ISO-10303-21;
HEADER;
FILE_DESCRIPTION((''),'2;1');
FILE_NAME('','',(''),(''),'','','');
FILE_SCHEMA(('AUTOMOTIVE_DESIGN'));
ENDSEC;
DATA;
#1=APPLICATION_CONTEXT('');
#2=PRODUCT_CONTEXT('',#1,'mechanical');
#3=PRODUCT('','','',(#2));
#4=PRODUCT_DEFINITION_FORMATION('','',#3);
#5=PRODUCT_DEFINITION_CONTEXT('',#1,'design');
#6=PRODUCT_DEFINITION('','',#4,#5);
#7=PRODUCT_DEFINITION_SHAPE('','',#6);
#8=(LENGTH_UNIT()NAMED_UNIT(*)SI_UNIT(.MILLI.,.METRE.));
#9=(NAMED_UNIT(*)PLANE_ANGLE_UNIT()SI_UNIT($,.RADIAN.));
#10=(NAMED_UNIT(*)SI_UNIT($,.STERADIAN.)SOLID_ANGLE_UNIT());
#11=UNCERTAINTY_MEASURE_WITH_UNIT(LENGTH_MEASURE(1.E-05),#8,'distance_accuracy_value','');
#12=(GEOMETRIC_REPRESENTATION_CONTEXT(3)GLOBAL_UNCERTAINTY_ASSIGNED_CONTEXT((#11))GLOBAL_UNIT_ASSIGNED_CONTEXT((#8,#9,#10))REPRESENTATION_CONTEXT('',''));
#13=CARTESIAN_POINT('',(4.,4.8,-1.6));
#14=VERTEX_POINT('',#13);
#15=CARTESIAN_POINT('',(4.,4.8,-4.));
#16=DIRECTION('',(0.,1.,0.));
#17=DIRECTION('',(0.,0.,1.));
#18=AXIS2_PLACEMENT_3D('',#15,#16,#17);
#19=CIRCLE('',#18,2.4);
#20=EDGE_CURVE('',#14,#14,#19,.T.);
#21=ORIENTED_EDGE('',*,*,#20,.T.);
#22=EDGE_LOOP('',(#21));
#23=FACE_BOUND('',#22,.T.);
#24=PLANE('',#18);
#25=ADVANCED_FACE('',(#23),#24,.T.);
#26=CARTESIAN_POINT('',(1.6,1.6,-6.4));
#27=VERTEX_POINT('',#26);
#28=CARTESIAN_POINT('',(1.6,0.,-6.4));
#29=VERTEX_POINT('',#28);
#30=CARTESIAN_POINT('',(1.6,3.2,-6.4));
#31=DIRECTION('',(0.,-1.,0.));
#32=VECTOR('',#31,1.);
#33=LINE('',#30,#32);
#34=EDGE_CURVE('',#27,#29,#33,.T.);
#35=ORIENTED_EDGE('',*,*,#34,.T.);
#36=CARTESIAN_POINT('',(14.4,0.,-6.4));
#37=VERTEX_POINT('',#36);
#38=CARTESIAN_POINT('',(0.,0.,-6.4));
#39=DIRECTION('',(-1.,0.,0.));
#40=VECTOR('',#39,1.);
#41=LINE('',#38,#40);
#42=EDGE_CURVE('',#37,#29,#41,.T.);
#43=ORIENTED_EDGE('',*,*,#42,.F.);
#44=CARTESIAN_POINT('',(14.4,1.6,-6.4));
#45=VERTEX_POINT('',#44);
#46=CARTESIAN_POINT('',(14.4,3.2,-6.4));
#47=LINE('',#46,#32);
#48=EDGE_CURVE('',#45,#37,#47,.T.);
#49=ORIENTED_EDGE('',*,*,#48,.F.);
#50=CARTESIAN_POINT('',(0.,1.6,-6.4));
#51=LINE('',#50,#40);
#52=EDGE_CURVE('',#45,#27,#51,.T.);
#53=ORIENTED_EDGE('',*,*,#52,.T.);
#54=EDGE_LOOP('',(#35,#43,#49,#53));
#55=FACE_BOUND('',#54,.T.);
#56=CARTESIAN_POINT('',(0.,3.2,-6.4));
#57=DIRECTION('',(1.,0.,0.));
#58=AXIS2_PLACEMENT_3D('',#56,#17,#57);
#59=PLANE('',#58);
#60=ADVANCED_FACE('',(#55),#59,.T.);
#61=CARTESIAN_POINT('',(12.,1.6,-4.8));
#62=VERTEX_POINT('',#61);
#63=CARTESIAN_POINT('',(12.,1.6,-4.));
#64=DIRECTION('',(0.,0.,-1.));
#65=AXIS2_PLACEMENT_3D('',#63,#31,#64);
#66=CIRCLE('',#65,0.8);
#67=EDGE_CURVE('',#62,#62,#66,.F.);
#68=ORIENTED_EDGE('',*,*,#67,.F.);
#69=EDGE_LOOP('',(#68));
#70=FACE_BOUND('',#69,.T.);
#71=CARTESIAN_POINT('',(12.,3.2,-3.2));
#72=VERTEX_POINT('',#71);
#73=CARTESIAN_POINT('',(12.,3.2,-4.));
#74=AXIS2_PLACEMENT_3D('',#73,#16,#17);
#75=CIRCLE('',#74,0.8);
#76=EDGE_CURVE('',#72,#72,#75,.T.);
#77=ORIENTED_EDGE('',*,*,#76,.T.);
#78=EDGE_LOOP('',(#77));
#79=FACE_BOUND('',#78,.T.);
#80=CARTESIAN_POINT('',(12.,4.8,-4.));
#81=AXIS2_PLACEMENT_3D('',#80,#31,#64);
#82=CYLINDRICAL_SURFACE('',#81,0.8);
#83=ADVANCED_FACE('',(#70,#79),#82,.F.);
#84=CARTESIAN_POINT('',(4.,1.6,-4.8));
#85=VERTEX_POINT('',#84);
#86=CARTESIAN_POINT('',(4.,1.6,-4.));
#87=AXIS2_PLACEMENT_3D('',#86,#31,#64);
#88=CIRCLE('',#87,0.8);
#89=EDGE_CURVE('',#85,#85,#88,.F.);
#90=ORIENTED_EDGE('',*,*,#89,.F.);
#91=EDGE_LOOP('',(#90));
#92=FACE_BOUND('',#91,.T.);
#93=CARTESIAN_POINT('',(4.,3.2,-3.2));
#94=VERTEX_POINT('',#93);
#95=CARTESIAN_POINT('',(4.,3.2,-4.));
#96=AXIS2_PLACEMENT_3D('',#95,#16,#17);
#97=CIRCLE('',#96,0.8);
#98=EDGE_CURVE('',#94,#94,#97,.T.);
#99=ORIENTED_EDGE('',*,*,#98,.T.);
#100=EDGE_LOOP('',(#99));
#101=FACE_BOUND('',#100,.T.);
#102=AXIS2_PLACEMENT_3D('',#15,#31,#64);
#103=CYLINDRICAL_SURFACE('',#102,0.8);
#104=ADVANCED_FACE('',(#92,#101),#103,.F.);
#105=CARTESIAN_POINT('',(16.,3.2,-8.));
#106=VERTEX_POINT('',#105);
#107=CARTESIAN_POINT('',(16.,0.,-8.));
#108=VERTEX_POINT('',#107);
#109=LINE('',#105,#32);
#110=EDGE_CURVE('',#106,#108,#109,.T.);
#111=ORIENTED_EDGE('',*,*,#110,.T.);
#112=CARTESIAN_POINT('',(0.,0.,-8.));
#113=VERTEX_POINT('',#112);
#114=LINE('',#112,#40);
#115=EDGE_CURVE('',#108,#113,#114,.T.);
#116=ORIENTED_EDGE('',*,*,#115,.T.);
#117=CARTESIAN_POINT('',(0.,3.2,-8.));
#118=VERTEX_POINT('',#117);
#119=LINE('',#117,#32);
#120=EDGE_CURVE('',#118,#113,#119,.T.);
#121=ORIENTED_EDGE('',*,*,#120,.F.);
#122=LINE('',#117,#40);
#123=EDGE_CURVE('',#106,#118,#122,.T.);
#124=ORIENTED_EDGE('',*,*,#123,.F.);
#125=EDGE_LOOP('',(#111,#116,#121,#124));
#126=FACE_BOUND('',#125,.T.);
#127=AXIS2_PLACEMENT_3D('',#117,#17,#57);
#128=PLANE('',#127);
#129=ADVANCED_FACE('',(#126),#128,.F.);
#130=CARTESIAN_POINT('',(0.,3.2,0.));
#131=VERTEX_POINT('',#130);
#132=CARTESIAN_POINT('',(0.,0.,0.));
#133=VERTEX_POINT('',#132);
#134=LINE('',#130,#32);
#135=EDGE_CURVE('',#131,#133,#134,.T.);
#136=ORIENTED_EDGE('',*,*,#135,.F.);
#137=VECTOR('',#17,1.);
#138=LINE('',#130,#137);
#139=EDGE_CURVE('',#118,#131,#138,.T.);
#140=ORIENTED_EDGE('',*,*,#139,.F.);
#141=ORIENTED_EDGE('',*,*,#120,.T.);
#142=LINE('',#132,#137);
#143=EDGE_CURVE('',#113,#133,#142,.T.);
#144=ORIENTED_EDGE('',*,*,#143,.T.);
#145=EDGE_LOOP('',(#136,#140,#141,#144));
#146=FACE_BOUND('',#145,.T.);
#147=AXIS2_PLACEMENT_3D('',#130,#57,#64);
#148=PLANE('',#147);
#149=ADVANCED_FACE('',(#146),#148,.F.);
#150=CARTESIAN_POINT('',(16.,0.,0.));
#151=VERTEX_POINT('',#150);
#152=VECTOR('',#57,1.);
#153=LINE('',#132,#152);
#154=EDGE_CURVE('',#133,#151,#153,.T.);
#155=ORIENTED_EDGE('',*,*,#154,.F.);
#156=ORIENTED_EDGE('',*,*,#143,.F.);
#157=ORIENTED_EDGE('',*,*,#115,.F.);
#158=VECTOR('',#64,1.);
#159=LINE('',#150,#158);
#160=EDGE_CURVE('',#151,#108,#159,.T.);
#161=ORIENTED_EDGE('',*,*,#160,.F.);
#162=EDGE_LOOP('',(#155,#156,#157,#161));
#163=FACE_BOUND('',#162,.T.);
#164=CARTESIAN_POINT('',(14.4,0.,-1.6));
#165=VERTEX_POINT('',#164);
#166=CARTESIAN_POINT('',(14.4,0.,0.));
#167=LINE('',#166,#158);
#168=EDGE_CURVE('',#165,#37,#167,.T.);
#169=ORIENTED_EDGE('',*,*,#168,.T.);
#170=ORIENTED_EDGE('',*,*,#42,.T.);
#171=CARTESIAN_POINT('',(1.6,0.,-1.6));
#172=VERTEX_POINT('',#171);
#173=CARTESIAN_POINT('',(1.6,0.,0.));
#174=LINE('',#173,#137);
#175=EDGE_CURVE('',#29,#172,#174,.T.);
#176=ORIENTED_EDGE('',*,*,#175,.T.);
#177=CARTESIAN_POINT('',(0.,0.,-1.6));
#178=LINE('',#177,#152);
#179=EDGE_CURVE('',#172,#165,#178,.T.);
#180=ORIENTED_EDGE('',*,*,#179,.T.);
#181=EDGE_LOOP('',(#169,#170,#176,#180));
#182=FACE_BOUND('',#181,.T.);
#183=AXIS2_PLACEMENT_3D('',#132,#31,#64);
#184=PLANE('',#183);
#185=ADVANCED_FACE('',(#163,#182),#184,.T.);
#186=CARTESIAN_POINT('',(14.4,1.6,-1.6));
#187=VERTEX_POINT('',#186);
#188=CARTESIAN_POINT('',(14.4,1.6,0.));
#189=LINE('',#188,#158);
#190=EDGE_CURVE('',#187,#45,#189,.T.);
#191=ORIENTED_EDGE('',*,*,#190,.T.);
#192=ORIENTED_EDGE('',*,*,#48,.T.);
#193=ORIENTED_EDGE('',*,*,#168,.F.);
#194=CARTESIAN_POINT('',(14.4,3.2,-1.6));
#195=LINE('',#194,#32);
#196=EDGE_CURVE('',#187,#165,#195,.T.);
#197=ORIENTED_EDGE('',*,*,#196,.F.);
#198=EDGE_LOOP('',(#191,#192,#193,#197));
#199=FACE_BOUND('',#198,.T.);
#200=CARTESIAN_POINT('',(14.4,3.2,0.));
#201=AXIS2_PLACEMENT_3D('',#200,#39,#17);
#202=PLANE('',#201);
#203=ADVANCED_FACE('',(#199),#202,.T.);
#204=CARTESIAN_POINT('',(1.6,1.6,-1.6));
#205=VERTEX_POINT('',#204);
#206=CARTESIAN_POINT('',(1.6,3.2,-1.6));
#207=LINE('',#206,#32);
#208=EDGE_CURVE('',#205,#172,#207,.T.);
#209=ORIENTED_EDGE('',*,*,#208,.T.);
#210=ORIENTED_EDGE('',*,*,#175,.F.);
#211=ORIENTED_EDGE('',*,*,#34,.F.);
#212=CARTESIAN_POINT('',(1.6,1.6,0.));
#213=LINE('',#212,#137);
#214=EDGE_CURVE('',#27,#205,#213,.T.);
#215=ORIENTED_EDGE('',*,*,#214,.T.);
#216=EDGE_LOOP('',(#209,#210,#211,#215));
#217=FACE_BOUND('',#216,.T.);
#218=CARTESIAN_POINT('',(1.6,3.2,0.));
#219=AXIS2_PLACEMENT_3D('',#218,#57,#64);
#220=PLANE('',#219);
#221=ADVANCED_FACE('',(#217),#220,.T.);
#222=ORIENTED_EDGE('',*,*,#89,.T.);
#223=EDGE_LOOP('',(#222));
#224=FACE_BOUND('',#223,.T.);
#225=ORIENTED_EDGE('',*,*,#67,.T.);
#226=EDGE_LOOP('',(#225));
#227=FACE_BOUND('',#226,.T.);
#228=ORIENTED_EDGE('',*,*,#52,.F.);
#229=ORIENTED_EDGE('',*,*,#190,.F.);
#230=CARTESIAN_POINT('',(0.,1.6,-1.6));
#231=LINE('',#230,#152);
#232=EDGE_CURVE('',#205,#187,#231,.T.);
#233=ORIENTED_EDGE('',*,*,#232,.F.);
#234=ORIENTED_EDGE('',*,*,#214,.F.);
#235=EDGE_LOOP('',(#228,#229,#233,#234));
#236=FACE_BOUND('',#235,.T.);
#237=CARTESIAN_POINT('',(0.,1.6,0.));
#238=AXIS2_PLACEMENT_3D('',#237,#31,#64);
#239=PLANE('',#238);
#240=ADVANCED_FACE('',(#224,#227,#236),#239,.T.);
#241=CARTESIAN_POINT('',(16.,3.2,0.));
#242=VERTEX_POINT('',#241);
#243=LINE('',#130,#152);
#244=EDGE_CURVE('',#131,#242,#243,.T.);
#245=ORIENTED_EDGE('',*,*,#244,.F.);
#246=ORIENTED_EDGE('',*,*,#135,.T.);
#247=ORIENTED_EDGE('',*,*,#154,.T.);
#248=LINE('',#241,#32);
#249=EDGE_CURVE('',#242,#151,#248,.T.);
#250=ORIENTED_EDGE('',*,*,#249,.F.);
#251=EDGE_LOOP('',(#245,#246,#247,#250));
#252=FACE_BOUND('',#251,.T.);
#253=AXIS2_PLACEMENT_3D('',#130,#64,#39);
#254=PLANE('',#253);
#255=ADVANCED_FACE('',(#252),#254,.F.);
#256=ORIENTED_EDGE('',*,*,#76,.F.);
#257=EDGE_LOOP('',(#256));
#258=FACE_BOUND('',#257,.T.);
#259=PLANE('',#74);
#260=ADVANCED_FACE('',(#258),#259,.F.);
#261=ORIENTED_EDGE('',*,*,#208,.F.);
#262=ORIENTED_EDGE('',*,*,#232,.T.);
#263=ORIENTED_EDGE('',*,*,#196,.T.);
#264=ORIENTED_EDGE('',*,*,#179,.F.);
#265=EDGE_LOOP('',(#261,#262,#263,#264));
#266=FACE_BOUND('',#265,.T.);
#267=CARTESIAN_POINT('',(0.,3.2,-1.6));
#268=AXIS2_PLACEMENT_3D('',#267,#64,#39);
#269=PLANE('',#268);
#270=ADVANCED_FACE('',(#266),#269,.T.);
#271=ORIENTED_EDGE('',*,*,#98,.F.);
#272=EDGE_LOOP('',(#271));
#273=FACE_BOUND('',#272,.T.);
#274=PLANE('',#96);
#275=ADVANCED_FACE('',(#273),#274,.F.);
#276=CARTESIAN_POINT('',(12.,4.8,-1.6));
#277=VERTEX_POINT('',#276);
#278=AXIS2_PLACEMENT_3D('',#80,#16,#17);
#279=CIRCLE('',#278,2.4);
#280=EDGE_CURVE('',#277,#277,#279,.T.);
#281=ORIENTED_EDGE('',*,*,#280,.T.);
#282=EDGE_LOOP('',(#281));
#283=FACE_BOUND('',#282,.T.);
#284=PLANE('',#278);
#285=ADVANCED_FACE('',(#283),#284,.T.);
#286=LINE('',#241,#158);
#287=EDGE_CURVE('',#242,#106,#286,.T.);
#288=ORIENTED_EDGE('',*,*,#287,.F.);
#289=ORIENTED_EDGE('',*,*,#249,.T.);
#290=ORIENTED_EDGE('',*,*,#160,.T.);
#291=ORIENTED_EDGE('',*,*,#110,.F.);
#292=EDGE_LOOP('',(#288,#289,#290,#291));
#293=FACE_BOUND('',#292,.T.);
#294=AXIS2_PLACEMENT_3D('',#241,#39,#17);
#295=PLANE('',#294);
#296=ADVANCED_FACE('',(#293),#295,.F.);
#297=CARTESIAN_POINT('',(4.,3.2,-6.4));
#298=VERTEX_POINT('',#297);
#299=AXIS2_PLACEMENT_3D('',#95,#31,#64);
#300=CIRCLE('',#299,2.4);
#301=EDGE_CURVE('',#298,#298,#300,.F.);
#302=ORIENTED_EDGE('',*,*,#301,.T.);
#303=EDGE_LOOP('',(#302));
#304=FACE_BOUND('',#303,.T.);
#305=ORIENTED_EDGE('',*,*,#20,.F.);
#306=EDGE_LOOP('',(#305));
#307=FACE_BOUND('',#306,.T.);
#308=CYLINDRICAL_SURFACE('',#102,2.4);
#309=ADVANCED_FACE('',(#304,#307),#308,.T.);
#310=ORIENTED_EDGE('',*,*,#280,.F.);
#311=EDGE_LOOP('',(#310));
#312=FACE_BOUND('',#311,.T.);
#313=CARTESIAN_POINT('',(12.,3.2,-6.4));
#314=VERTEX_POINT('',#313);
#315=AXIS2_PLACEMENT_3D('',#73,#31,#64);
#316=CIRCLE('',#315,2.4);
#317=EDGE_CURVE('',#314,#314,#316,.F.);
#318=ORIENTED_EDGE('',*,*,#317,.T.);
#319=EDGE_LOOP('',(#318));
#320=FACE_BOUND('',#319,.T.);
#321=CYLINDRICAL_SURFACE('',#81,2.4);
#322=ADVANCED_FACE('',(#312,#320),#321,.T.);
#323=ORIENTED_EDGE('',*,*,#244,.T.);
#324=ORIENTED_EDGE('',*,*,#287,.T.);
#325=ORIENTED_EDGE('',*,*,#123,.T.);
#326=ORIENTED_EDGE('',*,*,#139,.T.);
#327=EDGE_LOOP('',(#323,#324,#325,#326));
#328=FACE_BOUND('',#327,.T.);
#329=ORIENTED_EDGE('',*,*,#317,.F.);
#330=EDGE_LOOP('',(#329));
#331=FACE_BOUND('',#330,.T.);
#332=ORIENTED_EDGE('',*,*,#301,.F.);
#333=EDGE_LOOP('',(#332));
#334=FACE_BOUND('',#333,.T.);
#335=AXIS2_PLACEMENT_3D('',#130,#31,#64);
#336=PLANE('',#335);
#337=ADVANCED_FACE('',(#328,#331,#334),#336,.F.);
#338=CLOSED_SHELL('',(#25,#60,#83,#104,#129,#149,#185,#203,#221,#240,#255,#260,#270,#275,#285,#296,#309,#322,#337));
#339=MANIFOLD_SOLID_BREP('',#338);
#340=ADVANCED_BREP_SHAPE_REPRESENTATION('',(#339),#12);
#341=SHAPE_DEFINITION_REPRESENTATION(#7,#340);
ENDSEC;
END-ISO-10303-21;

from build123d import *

# Parameters (mm, degrees)
SKETCH1_W            = 16
SKETCH1_H            = 8
BOSS_EXTRUDE1_DEPTH  = 3.2
SKETCH2_R            = 2.4
BOSS_EXTRUDE2_DEPTH  = 1.6
LPATTERN1_COUNT      = 2
LPATTERN1_PITCH      = 8
LPATTERN1_COUNT_DIR2 = 4
LPATTERN1_PITCH_DIR2 = 8
SHELL1_T             = -1.6


with BuildPart() as part:
    # Sketch1 → Boss-Extrude1 (new body)
    with BuildSketch(Plane(origin=(0, 0, 0), x_dir=(1, 0, 0), z_dir=(0, 1, 0))):
        with Locations((8, 4)):
            Rectangle(SKETCH1_W, SKETCH1_H)
    extrude(amount=BOSS_EXTRUDE1_DEPTH)

    # Sketch2 → Boss-Extrude2 (add)
    with BuildSketch(Plane(origin=(0, 3.2, 0), x_dir=(1, 0, 0), z_dir=(0, 1, 0))):
        with Locations(Location((12, 4, 0), (0, 0, 90))):
            Circle(SKETCH2_R)
    boss_extrude2 = extrude(amount=BOSS_EXTRUDE2_DEPTH)

    # LPattern1: Boss-Extrude2 2 × 4, 6 skipped
    with Locations(*[(-i * LPATTERN1_PITCH, 0, -j * LPATTERN1_PITCH_DIR2) for i in range(LPATTERN1_COUNT) for j in range(LPATTERN1_COUNT_DIR2) if (i, j) not in ((0, 0), (0, 1), (0, 2), (0, 3), (1, 1), (1, 2), (1, 3))]):
        add(boss_extrude2)

    # Shell1
    shell1_openings = [part.faces().sort_by_distance(p)[0] for p in [
        (8, 0, -4),
    ]]
    offset(amount=SHELL1_T, openings=shell1_openings, kind=Kind.INTERSECTION)


solid = part.part
